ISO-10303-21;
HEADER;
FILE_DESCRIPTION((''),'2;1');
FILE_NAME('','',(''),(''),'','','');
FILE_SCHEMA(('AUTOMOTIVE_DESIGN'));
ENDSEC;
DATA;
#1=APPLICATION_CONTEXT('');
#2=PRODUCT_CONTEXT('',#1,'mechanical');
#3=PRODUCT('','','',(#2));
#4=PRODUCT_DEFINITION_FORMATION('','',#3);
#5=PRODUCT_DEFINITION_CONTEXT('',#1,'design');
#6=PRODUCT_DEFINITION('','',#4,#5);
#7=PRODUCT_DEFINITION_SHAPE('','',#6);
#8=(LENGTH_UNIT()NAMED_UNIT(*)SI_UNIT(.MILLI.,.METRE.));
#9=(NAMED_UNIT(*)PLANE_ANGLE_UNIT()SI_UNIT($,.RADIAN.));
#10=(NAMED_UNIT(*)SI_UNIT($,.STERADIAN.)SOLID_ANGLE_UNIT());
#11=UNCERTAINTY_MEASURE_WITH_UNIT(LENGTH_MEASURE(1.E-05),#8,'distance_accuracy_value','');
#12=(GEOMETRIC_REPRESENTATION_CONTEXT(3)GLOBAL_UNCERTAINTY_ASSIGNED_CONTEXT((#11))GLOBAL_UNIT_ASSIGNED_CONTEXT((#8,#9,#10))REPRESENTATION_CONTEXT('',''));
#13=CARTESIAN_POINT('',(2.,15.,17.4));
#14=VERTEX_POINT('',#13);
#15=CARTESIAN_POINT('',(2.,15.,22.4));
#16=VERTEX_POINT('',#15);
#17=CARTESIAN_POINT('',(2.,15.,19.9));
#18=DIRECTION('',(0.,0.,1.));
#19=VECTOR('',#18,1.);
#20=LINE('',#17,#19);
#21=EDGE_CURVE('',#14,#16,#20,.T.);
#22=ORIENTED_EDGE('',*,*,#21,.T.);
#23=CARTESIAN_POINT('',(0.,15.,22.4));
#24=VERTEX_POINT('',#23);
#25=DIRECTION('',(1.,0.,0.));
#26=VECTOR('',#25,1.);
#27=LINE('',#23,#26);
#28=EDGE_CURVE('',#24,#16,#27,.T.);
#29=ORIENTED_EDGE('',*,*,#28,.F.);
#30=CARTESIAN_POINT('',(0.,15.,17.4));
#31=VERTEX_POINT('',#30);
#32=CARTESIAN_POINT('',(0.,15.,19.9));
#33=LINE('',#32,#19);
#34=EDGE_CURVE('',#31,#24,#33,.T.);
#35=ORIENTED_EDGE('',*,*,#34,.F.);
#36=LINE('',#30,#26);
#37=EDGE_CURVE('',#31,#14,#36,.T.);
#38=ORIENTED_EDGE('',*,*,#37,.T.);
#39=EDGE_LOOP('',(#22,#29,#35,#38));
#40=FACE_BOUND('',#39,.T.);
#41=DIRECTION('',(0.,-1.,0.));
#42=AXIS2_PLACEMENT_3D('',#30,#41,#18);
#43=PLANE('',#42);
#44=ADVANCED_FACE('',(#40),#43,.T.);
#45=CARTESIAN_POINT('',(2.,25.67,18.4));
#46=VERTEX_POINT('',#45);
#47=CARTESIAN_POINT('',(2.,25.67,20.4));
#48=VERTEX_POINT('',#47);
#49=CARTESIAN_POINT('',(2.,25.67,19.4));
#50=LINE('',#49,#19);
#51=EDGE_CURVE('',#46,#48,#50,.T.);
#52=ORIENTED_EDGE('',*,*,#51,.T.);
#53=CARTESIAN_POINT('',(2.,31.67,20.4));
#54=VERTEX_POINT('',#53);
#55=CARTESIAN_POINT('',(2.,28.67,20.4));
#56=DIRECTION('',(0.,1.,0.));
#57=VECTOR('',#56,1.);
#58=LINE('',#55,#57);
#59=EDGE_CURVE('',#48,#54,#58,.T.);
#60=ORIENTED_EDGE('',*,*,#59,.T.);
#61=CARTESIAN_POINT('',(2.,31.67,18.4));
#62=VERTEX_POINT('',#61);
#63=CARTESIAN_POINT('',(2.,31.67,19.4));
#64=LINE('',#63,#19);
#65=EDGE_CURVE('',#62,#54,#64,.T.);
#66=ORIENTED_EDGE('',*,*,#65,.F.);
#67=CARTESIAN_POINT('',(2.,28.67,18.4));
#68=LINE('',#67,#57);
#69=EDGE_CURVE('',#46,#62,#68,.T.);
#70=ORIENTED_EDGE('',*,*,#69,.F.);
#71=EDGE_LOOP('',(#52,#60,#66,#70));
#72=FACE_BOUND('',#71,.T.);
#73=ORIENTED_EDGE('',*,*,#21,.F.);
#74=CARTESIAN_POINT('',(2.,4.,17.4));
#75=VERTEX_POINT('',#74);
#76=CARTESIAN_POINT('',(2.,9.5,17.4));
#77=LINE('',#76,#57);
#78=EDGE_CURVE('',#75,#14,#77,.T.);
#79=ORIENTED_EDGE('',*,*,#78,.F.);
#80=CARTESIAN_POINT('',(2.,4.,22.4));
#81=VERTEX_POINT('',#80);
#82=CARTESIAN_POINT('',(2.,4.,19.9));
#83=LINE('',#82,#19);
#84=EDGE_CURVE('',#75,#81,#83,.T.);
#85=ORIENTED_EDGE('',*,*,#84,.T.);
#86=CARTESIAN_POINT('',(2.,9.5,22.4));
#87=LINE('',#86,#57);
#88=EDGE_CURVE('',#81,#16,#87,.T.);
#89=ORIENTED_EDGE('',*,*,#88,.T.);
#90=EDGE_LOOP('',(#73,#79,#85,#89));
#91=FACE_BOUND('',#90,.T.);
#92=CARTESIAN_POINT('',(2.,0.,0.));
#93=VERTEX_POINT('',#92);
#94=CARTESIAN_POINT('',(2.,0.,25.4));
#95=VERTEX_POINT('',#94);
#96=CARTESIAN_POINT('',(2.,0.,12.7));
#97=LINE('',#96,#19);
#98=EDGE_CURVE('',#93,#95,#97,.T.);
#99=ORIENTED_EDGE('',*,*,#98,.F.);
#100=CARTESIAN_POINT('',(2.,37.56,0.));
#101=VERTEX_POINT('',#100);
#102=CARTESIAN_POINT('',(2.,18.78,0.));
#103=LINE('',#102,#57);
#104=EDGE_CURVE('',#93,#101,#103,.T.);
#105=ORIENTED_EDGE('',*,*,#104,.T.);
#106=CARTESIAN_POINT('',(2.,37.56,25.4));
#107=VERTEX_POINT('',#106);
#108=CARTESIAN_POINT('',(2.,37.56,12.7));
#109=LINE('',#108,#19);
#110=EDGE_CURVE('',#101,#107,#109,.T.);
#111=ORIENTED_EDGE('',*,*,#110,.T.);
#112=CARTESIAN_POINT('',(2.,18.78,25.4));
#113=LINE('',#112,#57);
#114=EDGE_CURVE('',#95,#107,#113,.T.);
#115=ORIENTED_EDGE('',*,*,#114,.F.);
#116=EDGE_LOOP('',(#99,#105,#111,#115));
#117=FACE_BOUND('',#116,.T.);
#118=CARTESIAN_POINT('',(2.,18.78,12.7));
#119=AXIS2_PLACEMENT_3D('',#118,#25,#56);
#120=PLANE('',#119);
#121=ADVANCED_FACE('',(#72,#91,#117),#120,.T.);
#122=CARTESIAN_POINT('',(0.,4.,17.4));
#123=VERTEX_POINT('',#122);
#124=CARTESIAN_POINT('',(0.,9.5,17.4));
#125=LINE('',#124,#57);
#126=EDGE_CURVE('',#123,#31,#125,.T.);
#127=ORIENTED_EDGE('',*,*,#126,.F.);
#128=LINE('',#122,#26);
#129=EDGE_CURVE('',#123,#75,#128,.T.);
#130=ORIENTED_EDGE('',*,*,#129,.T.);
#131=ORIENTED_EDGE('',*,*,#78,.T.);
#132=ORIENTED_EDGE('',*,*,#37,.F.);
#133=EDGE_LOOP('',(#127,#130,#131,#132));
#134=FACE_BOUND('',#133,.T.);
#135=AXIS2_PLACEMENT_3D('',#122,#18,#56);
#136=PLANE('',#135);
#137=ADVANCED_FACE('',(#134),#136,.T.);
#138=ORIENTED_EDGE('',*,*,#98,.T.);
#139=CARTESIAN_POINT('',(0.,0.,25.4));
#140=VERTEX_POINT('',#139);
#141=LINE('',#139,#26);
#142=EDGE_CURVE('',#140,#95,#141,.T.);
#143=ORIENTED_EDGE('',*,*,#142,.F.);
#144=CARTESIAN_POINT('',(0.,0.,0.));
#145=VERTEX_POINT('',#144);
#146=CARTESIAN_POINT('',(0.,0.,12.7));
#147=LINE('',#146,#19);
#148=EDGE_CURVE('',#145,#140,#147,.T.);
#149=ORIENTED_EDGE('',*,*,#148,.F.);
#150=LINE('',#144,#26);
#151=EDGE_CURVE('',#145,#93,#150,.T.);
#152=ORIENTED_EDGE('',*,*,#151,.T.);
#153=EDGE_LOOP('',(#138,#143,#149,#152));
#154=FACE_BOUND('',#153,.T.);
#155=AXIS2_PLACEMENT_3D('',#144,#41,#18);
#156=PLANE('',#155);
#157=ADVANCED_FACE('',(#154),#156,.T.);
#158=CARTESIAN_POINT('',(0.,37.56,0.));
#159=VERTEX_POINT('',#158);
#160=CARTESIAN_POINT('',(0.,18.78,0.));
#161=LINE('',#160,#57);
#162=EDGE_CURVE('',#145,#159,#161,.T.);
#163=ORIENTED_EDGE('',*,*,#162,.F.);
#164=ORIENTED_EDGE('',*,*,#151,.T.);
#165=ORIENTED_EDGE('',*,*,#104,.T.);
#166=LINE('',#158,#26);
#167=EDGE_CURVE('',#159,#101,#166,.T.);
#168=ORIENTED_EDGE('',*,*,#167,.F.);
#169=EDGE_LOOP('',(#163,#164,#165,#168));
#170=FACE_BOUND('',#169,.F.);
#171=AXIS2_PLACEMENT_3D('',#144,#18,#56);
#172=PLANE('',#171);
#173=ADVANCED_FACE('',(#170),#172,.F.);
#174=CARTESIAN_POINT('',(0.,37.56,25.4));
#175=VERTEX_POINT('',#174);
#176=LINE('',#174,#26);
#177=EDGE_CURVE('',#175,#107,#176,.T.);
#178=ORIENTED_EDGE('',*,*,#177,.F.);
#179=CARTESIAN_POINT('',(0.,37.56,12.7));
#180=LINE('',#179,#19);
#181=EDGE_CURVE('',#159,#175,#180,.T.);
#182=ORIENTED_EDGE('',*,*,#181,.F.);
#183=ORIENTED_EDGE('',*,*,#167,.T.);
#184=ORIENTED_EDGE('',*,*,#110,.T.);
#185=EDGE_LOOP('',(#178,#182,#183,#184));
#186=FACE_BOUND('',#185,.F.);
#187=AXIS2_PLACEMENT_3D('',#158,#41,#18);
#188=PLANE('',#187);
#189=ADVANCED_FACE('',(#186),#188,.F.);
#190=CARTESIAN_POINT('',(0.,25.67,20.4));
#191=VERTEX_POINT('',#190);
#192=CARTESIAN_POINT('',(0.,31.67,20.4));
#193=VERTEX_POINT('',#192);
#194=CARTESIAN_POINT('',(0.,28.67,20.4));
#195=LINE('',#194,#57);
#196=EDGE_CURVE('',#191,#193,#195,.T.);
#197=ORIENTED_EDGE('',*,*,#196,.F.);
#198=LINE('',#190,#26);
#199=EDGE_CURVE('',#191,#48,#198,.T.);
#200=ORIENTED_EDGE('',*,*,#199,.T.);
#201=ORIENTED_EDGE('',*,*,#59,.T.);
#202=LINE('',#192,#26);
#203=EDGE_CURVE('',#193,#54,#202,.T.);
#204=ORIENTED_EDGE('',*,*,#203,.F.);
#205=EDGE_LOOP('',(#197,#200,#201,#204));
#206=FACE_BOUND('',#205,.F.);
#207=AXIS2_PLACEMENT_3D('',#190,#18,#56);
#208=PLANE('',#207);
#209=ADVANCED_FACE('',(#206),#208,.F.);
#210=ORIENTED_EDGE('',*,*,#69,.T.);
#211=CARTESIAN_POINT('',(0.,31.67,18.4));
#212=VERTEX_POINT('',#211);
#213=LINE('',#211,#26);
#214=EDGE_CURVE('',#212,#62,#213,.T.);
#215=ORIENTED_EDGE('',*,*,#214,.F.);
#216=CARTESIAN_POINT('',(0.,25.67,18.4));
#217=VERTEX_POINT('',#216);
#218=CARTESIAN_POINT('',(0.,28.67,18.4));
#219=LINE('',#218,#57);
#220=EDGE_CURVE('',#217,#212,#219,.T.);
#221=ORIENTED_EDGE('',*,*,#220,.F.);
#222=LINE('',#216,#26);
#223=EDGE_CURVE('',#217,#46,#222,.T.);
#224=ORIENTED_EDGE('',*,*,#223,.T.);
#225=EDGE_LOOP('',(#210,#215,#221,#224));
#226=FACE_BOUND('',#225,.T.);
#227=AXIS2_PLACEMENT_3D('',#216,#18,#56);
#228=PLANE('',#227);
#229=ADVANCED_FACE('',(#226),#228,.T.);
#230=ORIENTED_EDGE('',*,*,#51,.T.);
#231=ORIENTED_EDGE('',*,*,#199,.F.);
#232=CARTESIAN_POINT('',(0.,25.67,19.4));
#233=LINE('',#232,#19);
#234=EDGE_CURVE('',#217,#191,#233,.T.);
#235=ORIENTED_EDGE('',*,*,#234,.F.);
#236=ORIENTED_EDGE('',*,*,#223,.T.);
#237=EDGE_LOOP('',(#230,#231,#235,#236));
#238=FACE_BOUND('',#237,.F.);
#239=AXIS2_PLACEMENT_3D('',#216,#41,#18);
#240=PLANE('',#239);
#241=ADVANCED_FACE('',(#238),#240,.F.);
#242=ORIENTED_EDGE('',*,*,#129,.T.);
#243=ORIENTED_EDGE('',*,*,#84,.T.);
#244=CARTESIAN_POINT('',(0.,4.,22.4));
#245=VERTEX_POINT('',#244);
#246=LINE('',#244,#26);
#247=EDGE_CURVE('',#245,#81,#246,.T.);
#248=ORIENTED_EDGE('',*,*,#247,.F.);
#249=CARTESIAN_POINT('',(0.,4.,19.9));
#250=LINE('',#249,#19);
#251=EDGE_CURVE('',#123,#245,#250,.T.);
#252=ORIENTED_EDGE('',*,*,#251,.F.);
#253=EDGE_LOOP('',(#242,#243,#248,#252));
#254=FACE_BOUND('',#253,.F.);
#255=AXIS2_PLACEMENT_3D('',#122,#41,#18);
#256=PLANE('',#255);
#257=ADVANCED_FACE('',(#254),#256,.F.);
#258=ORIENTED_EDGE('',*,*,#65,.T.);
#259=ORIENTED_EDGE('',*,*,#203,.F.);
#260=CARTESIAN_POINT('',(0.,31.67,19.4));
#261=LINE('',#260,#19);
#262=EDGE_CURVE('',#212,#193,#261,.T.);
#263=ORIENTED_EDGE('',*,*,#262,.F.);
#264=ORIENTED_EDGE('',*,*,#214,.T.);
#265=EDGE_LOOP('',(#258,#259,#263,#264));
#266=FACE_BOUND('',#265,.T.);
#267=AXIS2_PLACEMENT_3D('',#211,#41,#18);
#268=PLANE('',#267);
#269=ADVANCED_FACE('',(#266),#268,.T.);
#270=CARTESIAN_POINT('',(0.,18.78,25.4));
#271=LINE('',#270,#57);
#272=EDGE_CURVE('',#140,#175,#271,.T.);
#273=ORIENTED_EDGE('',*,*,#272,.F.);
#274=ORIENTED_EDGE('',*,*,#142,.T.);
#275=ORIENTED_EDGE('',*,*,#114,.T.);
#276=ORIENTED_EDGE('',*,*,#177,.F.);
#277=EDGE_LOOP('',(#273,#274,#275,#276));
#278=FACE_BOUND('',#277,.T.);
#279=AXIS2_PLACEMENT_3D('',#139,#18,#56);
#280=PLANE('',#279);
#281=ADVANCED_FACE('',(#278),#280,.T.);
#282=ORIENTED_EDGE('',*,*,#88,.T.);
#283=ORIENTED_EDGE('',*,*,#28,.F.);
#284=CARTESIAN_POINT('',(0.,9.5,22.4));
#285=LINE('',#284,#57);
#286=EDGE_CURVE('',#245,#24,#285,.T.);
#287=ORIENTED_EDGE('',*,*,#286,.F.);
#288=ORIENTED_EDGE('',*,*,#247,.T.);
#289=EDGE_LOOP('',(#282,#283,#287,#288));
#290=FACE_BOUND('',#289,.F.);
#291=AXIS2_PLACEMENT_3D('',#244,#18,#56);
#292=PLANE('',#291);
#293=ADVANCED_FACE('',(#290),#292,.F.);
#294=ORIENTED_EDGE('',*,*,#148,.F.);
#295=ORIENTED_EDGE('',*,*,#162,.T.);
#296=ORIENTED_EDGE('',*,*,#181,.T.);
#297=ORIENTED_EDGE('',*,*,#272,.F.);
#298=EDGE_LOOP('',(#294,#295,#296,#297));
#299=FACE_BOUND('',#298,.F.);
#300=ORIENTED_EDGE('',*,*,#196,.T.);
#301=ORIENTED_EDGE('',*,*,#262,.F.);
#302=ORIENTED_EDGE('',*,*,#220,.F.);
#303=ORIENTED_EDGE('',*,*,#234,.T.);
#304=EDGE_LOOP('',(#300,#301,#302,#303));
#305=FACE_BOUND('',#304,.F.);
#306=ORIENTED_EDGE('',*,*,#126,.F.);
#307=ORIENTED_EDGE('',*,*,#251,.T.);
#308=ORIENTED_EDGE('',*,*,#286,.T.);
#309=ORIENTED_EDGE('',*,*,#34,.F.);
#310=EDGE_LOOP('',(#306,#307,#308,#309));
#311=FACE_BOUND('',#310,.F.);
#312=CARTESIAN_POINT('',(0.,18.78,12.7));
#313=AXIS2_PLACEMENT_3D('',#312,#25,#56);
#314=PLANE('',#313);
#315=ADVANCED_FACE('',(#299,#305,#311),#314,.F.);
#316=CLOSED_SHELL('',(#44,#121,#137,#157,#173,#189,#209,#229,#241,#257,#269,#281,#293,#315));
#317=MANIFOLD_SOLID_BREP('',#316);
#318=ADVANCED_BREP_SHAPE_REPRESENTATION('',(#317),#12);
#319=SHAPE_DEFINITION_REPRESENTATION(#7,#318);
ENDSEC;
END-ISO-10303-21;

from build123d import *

# Parameters (mm, degrees)
F0_W     = 37.56
F0_H     = 25.4
F0_W_2   = 11
F0_H_2   = 5
F0_W_3   = 6
F0_H_3   = 2
F1_DEPTH = 2


with BuildPart() as f1:
    # F0 (on Right) → F1 (new body)
    with BuildSketch(Plane.YZ):
        with Locations((18.78, 12.7)):
            Rectangle(F0_W, F0_H)
        with Locations((9.5, 19.9)):
            Rectangle(F0_W_2, F0_H_2, mode=Mode.SUBTRACT)
        with Locations((28.67, 19.4)):
            Rectangle(F0_W_3, F0_H_3, mode=Mode.SUBTRACT)
    extrude(amount=F1_DEPTH)


solid = f1.part
